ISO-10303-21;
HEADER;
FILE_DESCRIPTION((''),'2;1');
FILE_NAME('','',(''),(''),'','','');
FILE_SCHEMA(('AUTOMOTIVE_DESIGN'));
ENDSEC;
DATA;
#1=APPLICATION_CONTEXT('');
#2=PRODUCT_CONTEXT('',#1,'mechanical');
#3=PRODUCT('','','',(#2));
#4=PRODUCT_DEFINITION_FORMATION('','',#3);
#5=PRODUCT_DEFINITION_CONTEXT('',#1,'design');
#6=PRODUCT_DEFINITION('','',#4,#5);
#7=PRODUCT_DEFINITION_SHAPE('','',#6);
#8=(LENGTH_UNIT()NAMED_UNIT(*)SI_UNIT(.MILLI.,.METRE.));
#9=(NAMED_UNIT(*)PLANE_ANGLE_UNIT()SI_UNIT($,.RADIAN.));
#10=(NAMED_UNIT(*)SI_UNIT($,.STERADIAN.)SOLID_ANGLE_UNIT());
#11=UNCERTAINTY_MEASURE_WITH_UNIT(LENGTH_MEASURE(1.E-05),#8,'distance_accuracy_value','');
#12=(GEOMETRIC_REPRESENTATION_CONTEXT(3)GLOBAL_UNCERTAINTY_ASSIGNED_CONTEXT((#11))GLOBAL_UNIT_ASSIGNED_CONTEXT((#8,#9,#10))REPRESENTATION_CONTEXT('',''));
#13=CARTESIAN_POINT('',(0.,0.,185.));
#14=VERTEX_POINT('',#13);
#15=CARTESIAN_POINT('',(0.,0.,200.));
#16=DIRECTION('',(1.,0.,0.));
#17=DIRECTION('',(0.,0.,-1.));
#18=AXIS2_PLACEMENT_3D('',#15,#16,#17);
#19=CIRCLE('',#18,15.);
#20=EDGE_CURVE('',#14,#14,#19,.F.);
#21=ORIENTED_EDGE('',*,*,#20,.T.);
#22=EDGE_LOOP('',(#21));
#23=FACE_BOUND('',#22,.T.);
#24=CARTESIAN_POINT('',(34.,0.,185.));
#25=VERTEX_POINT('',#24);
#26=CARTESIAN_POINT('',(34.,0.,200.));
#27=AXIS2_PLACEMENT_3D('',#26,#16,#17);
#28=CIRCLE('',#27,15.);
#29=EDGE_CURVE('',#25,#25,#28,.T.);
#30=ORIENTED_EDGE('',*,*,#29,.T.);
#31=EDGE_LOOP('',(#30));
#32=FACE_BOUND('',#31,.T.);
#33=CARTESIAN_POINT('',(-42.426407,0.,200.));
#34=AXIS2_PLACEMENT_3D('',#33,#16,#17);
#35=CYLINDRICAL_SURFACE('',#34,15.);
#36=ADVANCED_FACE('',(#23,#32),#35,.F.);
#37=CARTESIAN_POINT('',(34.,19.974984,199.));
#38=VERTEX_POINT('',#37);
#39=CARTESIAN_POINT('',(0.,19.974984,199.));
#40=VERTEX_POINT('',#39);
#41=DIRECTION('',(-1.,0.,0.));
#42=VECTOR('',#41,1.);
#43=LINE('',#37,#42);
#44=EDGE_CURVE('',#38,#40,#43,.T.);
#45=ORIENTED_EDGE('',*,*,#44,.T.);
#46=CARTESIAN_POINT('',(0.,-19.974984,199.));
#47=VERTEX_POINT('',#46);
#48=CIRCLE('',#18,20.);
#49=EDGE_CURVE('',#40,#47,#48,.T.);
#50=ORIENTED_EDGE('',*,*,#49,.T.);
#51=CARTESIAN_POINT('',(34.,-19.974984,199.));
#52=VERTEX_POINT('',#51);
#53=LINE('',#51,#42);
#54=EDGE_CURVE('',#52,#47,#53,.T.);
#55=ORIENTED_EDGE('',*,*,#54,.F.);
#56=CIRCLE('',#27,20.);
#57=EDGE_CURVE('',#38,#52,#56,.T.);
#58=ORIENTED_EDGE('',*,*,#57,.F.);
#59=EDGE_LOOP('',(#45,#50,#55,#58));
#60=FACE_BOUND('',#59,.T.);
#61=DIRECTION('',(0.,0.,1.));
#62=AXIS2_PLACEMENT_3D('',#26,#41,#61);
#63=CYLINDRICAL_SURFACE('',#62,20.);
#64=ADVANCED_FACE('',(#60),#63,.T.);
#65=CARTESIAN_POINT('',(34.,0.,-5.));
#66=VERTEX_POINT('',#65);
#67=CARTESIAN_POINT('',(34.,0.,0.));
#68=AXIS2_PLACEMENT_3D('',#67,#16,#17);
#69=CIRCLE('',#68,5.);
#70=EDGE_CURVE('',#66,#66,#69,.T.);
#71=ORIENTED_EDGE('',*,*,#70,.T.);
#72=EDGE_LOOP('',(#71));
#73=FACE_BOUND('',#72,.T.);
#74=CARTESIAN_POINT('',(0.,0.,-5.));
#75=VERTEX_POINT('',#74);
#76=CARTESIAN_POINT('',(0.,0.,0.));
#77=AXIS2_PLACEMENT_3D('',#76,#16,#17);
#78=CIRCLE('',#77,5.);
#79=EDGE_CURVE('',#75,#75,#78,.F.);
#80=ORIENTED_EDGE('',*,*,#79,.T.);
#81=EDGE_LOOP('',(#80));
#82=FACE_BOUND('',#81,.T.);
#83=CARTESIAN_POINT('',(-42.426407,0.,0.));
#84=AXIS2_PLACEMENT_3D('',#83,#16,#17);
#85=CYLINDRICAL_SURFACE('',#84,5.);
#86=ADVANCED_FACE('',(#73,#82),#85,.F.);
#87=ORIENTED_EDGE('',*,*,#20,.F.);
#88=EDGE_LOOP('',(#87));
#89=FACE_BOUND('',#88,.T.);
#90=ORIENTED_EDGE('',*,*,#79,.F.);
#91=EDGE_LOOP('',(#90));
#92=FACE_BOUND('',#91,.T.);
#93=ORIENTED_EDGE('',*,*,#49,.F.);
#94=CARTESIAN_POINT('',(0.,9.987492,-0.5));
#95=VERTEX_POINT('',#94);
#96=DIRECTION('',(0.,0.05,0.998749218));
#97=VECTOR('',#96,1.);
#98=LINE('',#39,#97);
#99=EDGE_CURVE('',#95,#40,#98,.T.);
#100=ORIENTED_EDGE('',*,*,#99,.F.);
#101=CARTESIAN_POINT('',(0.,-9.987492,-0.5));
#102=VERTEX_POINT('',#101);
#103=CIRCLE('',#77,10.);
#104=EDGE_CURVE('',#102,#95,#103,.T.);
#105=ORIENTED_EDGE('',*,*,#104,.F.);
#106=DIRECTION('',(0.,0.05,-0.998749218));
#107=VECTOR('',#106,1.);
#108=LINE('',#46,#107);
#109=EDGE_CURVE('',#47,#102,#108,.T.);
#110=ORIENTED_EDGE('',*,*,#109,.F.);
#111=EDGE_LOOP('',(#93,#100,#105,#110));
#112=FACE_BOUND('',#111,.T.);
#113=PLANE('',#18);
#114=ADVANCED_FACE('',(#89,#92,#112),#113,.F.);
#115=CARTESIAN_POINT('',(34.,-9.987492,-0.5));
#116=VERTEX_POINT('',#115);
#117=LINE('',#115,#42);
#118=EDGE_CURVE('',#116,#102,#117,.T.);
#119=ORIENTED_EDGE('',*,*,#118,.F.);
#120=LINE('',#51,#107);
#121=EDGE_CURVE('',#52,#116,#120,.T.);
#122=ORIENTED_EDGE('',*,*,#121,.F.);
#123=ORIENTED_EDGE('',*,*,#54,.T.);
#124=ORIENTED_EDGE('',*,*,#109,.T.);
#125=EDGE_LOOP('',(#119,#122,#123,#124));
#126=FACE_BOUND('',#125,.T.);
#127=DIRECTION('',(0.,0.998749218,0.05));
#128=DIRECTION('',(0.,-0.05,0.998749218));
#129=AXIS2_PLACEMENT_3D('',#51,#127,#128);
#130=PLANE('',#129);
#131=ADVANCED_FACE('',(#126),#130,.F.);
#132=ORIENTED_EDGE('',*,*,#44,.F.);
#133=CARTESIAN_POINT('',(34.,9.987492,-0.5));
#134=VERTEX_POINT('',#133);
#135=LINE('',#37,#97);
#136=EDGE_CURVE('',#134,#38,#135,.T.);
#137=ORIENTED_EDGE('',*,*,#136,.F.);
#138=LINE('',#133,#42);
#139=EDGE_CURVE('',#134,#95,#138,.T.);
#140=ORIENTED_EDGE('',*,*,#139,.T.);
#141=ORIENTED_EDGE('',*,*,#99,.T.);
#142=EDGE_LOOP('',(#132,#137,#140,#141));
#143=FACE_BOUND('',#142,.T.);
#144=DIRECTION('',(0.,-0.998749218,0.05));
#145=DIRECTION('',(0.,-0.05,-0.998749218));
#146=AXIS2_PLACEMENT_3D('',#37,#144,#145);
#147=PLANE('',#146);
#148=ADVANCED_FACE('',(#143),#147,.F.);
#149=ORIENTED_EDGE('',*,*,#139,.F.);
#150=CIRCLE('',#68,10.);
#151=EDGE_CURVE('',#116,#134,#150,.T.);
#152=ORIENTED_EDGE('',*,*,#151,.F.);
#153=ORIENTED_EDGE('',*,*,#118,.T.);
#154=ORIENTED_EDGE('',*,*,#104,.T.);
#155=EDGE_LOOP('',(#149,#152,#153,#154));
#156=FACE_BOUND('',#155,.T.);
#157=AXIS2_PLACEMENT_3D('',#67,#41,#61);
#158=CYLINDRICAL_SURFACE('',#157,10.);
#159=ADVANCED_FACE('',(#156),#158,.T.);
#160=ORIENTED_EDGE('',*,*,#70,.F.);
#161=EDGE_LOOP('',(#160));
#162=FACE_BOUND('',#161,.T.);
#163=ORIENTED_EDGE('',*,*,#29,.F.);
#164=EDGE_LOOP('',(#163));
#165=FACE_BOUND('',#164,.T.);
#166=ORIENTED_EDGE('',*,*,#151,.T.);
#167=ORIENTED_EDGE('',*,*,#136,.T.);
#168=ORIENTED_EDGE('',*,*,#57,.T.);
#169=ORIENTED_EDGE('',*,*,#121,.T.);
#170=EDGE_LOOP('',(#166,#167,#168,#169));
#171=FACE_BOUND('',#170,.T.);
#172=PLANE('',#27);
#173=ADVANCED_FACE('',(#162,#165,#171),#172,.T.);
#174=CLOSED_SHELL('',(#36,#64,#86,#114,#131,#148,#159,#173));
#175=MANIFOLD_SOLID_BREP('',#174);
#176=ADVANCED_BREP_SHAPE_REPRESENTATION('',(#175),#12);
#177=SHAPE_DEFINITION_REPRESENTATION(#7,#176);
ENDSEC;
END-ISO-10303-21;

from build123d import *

# Parameters (mm, degrees)
PROFILE_EXTRUDE_DEPTH = 34
HOLES_SKETCH_R        = 5
HOLES_SKETCH_R_2      = 15
HOLES_CUT_DEPTH       = 34


with BuildPart() as part:
    # Profile Sketch → Profile Extrude (new body)
    with BuildSketch(Plane(origin=(0, 0, 0), x_dir=(0, 0, -1), z_dir=(1, 0, 0))):
        with BuildLine():
            Line((-199, 19.974984355), (0.5, 9.987492178))
            ThreePointArc((0.5, 9.987492178), (10, 0), (0.5, -9.987492178))
            Line((0.5, -9.987492178), (-199, -19.974984355))
            ThreePointArc((-199, -19.974984355), (-220, 0), (-199, 19.974984355))
        make_face()
    extrude(amount=PROFILE_EXTRUDE_DEPTH)

    # Holes Sketch → Holes Cut (cut)
    with BuildSketch(Plane(origin=(34, 0, 0), x_dir=(0, 0, -1), z_dir=(1, 0, 0))):
        Circle(HOLES_SKETCH_R)
        with Locations((-200, 0)):
            Circle(HOLES_SKETCH_R_2)
    extrude(amount=-HOLES_CUT_DEPTH, mode=Mode.SUBTRACT)


solid = part.part
